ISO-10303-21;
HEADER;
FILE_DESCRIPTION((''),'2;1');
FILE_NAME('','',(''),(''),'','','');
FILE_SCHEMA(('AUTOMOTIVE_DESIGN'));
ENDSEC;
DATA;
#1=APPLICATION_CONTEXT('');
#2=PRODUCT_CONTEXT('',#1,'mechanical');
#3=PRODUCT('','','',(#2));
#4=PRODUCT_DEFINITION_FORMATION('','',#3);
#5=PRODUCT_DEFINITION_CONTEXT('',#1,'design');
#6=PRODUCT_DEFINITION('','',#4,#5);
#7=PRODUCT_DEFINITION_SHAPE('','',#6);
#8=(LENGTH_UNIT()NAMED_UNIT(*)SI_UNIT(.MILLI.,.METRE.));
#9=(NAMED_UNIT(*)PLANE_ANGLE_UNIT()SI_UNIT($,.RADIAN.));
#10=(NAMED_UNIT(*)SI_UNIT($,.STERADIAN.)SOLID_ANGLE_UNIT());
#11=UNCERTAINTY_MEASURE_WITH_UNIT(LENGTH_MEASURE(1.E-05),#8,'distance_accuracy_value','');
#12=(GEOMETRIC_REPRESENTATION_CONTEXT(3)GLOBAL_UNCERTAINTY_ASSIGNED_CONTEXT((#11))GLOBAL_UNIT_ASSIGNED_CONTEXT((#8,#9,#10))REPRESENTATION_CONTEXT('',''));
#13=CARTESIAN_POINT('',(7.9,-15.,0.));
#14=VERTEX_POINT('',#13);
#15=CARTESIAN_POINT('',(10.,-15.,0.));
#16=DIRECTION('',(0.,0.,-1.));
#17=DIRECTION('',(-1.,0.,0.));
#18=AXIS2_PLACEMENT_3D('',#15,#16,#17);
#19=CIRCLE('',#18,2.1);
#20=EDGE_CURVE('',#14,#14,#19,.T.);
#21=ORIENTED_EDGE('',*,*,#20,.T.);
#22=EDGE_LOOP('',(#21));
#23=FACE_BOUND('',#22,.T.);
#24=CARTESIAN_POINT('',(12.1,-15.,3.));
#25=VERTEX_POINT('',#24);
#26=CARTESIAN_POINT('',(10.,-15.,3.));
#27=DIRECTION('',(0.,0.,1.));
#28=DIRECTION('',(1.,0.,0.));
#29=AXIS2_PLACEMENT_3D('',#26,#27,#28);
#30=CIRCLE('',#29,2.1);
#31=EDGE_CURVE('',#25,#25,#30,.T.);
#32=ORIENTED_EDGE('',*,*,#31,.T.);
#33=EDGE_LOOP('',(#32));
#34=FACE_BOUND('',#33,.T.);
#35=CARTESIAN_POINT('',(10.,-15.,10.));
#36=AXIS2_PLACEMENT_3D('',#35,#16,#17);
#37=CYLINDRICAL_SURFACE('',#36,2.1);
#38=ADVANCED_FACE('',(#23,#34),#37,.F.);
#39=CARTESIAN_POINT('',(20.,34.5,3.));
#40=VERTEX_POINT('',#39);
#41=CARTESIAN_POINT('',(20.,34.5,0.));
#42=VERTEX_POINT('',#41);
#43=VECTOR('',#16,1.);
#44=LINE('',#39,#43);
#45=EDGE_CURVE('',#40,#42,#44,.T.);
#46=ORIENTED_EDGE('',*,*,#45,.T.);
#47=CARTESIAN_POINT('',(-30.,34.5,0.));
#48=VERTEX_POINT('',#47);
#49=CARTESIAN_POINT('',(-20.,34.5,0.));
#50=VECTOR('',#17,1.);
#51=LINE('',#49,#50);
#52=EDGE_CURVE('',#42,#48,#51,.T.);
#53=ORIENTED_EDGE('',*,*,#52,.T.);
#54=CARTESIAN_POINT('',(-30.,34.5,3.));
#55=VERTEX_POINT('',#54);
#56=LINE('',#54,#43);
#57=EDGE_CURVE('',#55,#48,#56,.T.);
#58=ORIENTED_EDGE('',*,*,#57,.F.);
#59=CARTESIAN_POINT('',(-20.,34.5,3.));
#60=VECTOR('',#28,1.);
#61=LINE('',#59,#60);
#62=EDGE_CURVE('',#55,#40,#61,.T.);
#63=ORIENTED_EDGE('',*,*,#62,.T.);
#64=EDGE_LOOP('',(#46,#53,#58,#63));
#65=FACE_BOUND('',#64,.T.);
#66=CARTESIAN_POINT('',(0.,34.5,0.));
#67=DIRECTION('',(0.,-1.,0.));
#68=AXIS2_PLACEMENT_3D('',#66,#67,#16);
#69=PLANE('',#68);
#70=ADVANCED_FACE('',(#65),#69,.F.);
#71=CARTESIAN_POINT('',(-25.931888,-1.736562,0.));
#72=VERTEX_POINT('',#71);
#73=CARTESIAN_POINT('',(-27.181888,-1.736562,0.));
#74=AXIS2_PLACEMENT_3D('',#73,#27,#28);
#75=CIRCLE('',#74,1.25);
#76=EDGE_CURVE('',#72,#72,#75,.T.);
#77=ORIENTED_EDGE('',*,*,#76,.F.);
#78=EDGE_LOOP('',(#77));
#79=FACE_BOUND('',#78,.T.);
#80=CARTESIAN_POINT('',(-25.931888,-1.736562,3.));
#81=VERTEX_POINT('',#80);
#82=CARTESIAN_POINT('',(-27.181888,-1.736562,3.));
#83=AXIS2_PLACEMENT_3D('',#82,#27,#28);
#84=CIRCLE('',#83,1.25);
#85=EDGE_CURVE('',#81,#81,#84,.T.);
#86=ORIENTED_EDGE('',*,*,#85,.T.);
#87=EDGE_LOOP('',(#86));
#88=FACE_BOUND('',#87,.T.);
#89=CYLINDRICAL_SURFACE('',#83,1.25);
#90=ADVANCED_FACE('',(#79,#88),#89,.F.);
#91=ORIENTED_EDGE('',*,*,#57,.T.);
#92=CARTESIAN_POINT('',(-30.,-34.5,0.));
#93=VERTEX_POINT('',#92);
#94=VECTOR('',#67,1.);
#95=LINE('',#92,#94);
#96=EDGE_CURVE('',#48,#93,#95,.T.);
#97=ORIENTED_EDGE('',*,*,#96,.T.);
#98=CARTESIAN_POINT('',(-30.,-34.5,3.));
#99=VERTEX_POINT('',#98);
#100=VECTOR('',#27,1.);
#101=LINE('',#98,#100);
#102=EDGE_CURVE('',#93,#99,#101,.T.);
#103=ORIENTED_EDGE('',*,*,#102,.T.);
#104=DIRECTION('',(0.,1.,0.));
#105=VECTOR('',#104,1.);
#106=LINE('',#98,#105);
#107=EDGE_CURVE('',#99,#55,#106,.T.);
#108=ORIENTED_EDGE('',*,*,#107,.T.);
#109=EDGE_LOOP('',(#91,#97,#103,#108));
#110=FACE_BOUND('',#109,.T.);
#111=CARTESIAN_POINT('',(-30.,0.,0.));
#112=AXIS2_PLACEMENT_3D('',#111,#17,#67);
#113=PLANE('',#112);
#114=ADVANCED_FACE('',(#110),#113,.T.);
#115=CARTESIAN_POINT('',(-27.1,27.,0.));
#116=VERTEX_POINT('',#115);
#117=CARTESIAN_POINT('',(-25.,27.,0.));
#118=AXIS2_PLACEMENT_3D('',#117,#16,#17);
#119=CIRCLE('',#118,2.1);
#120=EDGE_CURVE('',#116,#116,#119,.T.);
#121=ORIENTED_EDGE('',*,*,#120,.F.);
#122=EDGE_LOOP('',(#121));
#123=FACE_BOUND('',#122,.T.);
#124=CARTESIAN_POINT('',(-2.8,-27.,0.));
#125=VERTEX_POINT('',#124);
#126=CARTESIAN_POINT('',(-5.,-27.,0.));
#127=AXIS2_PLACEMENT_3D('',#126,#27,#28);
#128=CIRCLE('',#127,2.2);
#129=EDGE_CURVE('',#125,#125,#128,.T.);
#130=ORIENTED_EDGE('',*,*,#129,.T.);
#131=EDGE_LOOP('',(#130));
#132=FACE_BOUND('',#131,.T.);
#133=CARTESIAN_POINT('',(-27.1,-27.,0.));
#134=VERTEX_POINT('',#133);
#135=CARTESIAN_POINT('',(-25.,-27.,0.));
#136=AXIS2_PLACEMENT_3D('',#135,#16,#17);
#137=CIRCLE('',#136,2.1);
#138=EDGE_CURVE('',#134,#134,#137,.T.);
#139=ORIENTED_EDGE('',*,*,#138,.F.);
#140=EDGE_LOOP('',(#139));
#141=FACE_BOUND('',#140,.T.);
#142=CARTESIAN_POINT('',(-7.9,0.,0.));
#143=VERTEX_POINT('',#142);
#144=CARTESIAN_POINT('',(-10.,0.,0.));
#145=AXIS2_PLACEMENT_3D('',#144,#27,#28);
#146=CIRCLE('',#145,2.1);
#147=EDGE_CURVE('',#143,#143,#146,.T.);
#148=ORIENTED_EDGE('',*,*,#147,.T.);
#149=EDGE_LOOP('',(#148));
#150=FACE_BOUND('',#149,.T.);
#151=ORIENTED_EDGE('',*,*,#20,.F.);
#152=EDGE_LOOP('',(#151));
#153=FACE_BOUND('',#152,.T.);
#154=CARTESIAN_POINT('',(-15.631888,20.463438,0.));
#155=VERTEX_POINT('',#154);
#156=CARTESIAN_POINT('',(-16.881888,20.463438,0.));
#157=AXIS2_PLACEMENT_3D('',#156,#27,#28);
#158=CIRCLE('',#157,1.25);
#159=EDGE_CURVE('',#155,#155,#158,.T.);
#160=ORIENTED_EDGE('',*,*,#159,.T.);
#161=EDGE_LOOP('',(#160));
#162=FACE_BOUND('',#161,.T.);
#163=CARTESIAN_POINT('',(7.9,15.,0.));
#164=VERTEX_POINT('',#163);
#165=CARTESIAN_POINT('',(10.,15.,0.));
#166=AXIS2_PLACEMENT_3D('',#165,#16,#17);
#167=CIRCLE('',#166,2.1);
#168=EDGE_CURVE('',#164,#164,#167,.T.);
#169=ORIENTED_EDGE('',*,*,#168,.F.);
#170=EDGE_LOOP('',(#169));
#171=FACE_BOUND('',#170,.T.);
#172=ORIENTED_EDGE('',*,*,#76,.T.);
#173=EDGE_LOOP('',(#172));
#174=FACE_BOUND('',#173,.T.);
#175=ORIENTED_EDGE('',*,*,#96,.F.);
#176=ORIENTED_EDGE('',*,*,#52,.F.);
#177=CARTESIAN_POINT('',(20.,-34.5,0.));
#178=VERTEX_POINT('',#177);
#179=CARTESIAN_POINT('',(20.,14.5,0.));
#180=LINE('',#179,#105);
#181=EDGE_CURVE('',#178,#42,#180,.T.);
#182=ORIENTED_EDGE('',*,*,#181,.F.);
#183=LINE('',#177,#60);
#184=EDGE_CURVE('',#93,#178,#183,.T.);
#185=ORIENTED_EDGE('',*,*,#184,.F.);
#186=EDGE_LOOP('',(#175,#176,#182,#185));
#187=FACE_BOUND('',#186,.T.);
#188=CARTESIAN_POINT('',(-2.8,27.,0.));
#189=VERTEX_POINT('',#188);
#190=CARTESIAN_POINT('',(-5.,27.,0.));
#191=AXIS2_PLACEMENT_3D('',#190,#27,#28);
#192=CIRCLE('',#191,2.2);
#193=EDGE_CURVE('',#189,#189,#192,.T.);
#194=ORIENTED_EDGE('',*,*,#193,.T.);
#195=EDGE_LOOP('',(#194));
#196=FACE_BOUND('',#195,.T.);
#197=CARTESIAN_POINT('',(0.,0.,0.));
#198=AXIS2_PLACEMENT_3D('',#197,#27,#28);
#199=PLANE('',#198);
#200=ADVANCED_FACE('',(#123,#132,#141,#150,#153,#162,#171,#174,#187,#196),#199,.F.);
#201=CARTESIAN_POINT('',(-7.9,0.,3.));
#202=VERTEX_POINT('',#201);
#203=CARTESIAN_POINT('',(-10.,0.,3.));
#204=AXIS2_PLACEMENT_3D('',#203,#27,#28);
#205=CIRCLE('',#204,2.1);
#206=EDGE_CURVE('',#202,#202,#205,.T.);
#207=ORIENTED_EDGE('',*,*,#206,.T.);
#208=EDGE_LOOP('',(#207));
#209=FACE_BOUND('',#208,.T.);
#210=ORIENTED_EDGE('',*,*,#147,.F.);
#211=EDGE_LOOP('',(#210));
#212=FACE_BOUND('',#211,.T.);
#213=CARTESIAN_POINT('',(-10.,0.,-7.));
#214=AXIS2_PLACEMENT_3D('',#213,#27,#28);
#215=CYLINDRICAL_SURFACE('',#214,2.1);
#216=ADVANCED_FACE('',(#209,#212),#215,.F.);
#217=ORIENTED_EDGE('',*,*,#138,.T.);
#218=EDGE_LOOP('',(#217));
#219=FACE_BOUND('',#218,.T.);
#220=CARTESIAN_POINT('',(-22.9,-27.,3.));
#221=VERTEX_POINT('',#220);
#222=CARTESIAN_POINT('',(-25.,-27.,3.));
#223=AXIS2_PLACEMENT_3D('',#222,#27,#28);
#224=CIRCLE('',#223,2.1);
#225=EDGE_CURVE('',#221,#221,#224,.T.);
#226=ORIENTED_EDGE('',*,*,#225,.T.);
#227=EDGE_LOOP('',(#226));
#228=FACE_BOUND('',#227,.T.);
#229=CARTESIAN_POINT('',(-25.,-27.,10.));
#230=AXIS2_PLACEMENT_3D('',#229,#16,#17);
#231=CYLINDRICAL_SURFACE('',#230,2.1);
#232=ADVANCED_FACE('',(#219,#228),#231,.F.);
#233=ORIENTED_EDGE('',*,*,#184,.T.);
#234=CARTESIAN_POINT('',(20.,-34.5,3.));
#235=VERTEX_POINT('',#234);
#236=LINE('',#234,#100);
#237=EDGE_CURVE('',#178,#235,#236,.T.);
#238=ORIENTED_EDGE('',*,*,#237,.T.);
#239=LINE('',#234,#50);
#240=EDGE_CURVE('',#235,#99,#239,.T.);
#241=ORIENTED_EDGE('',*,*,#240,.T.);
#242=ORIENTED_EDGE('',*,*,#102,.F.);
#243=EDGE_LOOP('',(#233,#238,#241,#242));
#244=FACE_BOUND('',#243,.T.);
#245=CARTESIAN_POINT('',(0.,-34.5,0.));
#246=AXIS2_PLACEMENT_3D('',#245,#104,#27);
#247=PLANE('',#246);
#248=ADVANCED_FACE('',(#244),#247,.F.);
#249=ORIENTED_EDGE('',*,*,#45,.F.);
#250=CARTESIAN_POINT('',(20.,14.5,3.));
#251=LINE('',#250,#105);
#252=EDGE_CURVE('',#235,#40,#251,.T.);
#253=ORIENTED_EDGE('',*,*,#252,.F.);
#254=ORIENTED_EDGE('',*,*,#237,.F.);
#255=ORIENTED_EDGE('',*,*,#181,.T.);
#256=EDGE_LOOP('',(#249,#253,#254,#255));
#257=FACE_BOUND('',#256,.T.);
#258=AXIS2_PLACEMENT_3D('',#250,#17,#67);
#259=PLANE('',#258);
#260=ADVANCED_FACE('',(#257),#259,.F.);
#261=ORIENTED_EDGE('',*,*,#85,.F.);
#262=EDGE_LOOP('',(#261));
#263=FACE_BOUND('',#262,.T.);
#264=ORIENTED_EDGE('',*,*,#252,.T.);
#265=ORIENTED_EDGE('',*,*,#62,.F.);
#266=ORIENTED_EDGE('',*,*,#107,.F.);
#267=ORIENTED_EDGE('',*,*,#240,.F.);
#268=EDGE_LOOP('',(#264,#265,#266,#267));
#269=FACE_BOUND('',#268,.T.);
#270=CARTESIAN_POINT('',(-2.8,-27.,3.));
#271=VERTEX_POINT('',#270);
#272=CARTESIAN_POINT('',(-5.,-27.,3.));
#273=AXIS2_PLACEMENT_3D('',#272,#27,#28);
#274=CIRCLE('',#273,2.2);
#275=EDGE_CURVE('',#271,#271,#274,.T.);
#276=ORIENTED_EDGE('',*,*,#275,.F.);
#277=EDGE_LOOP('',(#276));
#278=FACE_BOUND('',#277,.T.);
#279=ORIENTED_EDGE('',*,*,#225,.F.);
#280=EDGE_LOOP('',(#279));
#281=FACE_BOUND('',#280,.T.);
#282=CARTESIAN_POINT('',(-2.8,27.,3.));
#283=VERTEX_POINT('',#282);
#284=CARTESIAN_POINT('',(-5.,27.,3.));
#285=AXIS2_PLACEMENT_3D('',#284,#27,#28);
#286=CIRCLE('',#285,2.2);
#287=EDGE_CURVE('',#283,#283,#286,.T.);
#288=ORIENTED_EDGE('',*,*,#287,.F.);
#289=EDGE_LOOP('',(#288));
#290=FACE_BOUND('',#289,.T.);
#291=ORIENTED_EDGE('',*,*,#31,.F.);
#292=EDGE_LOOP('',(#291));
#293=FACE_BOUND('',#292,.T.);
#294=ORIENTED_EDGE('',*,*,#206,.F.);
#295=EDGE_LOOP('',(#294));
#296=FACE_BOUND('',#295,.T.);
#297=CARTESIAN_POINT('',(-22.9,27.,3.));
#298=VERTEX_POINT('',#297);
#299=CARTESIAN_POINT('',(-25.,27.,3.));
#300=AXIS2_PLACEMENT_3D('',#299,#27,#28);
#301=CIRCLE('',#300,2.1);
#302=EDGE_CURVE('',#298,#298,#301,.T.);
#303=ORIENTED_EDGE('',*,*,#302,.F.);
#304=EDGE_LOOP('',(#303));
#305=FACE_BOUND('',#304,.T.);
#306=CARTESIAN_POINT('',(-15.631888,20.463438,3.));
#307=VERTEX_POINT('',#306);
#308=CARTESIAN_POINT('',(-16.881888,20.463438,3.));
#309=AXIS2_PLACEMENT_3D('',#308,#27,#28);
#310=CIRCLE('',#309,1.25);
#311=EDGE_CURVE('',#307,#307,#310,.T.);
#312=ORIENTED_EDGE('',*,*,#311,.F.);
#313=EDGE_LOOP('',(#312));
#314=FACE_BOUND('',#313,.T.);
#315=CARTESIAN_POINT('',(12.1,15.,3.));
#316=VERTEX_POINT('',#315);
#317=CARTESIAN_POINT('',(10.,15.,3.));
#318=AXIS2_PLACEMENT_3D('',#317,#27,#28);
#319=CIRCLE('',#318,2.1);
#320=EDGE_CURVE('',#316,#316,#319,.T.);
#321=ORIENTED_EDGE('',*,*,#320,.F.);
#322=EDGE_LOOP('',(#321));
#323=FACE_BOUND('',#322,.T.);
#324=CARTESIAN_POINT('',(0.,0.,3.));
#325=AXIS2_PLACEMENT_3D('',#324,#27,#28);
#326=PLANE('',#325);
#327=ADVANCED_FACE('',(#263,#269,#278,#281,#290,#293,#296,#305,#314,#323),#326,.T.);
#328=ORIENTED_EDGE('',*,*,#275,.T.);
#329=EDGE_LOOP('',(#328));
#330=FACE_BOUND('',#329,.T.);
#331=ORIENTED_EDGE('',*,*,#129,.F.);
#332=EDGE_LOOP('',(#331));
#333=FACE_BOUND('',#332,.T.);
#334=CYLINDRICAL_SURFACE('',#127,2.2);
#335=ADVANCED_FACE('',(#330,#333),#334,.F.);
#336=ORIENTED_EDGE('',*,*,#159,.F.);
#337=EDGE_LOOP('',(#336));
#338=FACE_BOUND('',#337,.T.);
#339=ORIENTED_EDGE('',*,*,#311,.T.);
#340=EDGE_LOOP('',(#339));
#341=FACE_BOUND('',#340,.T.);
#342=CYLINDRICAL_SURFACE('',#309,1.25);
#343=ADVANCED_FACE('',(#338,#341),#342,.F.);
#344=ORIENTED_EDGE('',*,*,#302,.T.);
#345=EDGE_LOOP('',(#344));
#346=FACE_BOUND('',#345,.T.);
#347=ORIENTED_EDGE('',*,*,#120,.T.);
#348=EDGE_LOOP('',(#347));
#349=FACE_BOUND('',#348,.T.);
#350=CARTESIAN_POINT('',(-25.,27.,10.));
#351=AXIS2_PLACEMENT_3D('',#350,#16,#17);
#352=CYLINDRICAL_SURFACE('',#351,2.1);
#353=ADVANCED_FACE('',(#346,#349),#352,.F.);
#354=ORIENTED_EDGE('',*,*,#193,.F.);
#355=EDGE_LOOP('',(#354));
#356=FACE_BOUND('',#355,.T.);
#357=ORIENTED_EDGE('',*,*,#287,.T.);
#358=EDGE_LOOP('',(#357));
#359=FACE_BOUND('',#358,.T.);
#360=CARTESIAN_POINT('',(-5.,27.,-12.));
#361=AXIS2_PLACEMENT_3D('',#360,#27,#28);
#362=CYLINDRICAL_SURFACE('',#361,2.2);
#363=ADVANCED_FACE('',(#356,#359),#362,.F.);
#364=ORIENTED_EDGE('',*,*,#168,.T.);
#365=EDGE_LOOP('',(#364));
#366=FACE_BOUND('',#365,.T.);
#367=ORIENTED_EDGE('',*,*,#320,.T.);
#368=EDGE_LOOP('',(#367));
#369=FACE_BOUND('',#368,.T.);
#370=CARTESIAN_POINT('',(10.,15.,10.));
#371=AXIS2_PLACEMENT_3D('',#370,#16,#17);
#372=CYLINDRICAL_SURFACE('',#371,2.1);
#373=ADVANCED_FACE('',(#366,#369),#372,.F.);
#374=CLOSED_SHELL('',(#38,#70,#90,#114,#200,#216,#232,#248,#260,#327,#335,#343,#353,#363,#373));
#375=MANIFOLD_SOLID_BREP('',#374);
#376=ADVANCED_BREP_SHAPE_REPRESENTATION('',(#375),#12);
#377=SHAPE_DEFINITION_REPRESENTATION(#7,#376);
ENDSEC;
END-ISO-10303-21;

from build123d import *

# Parameters (mm, degrees)
SKETCH_1_W          = 40
SKETCH_1_H          = 29
EXTRUDE_1_DEPTH     = 3
SKETCH_3_W          = 40
SKETCH_3_H          = 3
EXTRUDE_2_DEPTH     = 3
SKETCH_4_W          = 40
SKETCH_4_H          = 3
EXTRUDE_3_DEPTH     = 3
SKETCH_5_W          = 40
SKETCH_5_H          = 3
EXTRUDE_4_DEPTH     = 7
SKETCH_6_W          = 40
SKETCH_6_H          = 3
EXTRUDE_5_DEPTH     = 7
SKETCH_7_W          = 40
SKETCH_7_H          = 3
EXTRUDE_6_DEPTH     = 10
SKETCH_8_W          = 40
SKETCH_8_H          = 3
EXTRUDE_7_DEPTH     = 10
SKETCH_9_R          = 2.2
CUT_EXTRUDE_2_DEPTH = 15
CUT_EXTRUDE_3_DEPTH = 4
SKETCH_12_W         = 3
SKETCH_12_H         = 69
EXTRUDE_9_DEPTH     = 30
SKETCH_15_R         = 2.1
CUT_EXTRUDE_4_DEPTH = 10
SKETCH_16_R         = 2.1
CUT_EXTRUDE_5_DEPTH = 10
SKETCH_17_W         = 3
SKETCH_17_H         = 69
CUT_EXTRUDE_6_DEPTH = 20
M3X0_5_1_D          = 2.5
M3X0_5_1_DEPTH      = 8.5
M3X0_5_1_TIP        = 0.751075774
SKETCH_20_R         = 2.1
CUT_EXTRUDE_7_DEPTH = 10


with BuildPart() as part:
    # ｽｹｯﾁ1 → ﾎﾞｽ - 押し出し1 (new body)
    with BuildSketch(Plane.XY):
        Rectangle(SKETCH_1_W, SKETCH_1_H)
    extrude(amount=EXTRUDE_1_DEPTH)

    # ｽｹｯﾁ3 → ﾎﾞｽ - 押し出し2 (add)
    with BuildSketch(Plane(origin=(0, -14.5, 0), x_dir=(-1, 0, 0), z_dir=(0, -1, 0))):
        with Locations((0, -1.5)):
            Rectangle(SKETCH_3_W, SKETCH_3_H)
    extrude(amount=EXTRUDE_2_DEPTH)

    # ｽｹｯﾁ4 → ﾎﾞｽ - 押し出し3 (add)
    with BuildSketch(Plane(origin=(0, 14.5, 0), x_dir=(1, 0, 0), z_dir=(0, 1, 0))):
        with Locations((0, -1.5)):
            Rectangle(SKETCH_4_W, SKETCH_4_H)
    extrude(amount=EXTRUDE_3_DEPTH)

    # ｽｹｯﾁ5 → ﾎﾞｽ - 押し出し4 (add)
    with BuildSketch(Plane.XZ.offset(17.5)):
        with Locations((0, 1.5)):
            Rectangle(SKETCH_5_W, SKETCH_5_H)
    extrude(amount=EXTRUDE_4_DEPTH)

    # ｽｹｯﾁ6 → ﾎﾞｽ - 押し出し5 (add)
    with BuildSketch(Plane(origin=(0, 17.5, 0), x_dir=(1, 0, 0), z_dir=(0, 1, 0))):
        with Locations((0, -1.5)):
            Rectangle(SKETCH_6_W, SKETCH_6_H)
    extrude(amount=EXTRUDE_5_DEPTH)

    # ｽｹｯﾁ7 → ﾎﾞｽ - 押し出し6 (add)
    with BuildSketch(Plane(origin=(0, 24.5, 0), x_dir=(1, 0, 0), z_dir=(0, 1, 0))):
        with Locations((0, -1.5)):
            Rectangle(SKETCH_7_W, SKETCH_7_H)
    extrude(amount=EXTRUDE_6_DEPTH)

    # ｽｹｯﾁ8 → ﾎﾞｽ - 押し出し7 (add)
    with BuildSketch(Plane.XZ.offset(24.5)):
        with Locations((0, 1.5)):
            Rectangle(SKETCH_8_W, SKETCH_8_H)
    extrude(amount=EXTRUDE_7_DEPTH)

    # ｽｹｯﾁ9 → ｶｯﾄ - 押し出し2 (cut)
    with BuildSketch(Plane.XY.offset(3)):
        with Locations((-5, 27)):
            Circle(SKETCH_9_R)
    extrude(amount=-CUT_EXTRUDE_2_DEPTH, mode=Mode.SUBTRACT)

    # ｽｹｯﾁ10 → ｶｯﾄ - 押し出し3 (cut, through all)
    with BuildSketch(Plane.XY.offset(3)):
        with BuildLine():
            ThreePointArc((-7.2, -27), (-5, -29.2), (-2.8, -27))
            Line((-2.8, -27), (-5, -27))
            Line((-5, -27), (-7.2, -27))
        make_face()
        with BuildLine():
            Line((-5, -27), (-2.8, -27))
            ThreePointArc((-2.8, -27), (-5, -24.8), (-7.2, -27))
            Line((-7.2, -27), (-5, -27))
        make_face()
    extrude(amount=-CUT_EXTRUDE_3_DEPTH, mode=Mode.SUBTRACT)

    # ｽｹｯﾁ12 → ﾎﾞｽ - 押し出し9 (add)
    with BuildSketch(Plane.ZY.offset(20)):
        with Locations((1.5, 0)):
            Rectangle(SKETCH_12_W, SKETCH_12_H)
    extrude(amount=EXTRUDE_9_DEPTH)

    # ｽｹｯﾁ15 → ｶｯﾄ - 押し出し4 (cut)
    with BuildSketch(Plane.XY.offset(3)):
        with Locations((-10, 0)):
            Circle(SKETCH_15_R)
    extrude(amount=-CUT_EXTRUDE_4_DEPTH, mode=Mode.SUBTRACT)

    # ｽｹｯﾁ16 → ｶｯﾄ - 押し出し5 (cut)
    with BuildSketch(Plane(origin=(0, 0, 0), x_dir=(-1, 0, 0), z_dir=(0, 0, -1))):
        with Locations((-10, -15)):
            Circle(SKETCH_16_R)
        with Locations((-10, 15)):
            Circle(SKETCH_16_R)
    extrude(amount=-CUT_EXTRUDE_5_DEPTH, mode=Mode.SUBTRACT)

    # ｽｹｯﾁ17 → ｶｯﾄ - 押し出し6 (cut)
    with BuildSketch(Plane.ZY.offset(50)):
        with Locations((1.5, 0)):
            Rectangle(SKETCH_17_W, SKETCH_17_H)
    extrude(amount=-CUT_EXTRUDE_6_DEPTH, mode=Mode.SUBTRACT)

    # M3x0.5 ねじ穴1
    with Locations(Plane(origin=(-16.881888018, 20.463438375, 3), x_dir=(1, 0, 0), z_dir=(0, 0, 1))):
        with Locations((0, 0), (-10.3, -22.2)):
            Hole(M3X0_5_1_D / 2, depth=M3X0_5_1_DEPTH)
            with Locations((0, 0, -(M3X0_5_1_DEPTH + M3X0_5_1_TIP / 2))):  # 118° drill point
                Cone(0, M3X0_5_1_D / 2, M3X0_5_1_TIP, mode=Mode.SUBTRACT)

    # ｽｹｯﾁ20 → ｶｯﾄ - 押し出し7 (cut)
    with BuildSketch(Plane(origin=(0, 0, 0), x_dir=(-1, 0, 0), z_dir=(0, 0, -1))):
        with Locations((25, -27)):
            Circle(SKETCH_20_R)
        with Locations((25, 27)):
            Circle(SKETCH_20_R)
    extrude(amount=-CUT_EXTRUDE_7_DEPTH, mode=Mode.SUBTRACT)


solid = part.part
